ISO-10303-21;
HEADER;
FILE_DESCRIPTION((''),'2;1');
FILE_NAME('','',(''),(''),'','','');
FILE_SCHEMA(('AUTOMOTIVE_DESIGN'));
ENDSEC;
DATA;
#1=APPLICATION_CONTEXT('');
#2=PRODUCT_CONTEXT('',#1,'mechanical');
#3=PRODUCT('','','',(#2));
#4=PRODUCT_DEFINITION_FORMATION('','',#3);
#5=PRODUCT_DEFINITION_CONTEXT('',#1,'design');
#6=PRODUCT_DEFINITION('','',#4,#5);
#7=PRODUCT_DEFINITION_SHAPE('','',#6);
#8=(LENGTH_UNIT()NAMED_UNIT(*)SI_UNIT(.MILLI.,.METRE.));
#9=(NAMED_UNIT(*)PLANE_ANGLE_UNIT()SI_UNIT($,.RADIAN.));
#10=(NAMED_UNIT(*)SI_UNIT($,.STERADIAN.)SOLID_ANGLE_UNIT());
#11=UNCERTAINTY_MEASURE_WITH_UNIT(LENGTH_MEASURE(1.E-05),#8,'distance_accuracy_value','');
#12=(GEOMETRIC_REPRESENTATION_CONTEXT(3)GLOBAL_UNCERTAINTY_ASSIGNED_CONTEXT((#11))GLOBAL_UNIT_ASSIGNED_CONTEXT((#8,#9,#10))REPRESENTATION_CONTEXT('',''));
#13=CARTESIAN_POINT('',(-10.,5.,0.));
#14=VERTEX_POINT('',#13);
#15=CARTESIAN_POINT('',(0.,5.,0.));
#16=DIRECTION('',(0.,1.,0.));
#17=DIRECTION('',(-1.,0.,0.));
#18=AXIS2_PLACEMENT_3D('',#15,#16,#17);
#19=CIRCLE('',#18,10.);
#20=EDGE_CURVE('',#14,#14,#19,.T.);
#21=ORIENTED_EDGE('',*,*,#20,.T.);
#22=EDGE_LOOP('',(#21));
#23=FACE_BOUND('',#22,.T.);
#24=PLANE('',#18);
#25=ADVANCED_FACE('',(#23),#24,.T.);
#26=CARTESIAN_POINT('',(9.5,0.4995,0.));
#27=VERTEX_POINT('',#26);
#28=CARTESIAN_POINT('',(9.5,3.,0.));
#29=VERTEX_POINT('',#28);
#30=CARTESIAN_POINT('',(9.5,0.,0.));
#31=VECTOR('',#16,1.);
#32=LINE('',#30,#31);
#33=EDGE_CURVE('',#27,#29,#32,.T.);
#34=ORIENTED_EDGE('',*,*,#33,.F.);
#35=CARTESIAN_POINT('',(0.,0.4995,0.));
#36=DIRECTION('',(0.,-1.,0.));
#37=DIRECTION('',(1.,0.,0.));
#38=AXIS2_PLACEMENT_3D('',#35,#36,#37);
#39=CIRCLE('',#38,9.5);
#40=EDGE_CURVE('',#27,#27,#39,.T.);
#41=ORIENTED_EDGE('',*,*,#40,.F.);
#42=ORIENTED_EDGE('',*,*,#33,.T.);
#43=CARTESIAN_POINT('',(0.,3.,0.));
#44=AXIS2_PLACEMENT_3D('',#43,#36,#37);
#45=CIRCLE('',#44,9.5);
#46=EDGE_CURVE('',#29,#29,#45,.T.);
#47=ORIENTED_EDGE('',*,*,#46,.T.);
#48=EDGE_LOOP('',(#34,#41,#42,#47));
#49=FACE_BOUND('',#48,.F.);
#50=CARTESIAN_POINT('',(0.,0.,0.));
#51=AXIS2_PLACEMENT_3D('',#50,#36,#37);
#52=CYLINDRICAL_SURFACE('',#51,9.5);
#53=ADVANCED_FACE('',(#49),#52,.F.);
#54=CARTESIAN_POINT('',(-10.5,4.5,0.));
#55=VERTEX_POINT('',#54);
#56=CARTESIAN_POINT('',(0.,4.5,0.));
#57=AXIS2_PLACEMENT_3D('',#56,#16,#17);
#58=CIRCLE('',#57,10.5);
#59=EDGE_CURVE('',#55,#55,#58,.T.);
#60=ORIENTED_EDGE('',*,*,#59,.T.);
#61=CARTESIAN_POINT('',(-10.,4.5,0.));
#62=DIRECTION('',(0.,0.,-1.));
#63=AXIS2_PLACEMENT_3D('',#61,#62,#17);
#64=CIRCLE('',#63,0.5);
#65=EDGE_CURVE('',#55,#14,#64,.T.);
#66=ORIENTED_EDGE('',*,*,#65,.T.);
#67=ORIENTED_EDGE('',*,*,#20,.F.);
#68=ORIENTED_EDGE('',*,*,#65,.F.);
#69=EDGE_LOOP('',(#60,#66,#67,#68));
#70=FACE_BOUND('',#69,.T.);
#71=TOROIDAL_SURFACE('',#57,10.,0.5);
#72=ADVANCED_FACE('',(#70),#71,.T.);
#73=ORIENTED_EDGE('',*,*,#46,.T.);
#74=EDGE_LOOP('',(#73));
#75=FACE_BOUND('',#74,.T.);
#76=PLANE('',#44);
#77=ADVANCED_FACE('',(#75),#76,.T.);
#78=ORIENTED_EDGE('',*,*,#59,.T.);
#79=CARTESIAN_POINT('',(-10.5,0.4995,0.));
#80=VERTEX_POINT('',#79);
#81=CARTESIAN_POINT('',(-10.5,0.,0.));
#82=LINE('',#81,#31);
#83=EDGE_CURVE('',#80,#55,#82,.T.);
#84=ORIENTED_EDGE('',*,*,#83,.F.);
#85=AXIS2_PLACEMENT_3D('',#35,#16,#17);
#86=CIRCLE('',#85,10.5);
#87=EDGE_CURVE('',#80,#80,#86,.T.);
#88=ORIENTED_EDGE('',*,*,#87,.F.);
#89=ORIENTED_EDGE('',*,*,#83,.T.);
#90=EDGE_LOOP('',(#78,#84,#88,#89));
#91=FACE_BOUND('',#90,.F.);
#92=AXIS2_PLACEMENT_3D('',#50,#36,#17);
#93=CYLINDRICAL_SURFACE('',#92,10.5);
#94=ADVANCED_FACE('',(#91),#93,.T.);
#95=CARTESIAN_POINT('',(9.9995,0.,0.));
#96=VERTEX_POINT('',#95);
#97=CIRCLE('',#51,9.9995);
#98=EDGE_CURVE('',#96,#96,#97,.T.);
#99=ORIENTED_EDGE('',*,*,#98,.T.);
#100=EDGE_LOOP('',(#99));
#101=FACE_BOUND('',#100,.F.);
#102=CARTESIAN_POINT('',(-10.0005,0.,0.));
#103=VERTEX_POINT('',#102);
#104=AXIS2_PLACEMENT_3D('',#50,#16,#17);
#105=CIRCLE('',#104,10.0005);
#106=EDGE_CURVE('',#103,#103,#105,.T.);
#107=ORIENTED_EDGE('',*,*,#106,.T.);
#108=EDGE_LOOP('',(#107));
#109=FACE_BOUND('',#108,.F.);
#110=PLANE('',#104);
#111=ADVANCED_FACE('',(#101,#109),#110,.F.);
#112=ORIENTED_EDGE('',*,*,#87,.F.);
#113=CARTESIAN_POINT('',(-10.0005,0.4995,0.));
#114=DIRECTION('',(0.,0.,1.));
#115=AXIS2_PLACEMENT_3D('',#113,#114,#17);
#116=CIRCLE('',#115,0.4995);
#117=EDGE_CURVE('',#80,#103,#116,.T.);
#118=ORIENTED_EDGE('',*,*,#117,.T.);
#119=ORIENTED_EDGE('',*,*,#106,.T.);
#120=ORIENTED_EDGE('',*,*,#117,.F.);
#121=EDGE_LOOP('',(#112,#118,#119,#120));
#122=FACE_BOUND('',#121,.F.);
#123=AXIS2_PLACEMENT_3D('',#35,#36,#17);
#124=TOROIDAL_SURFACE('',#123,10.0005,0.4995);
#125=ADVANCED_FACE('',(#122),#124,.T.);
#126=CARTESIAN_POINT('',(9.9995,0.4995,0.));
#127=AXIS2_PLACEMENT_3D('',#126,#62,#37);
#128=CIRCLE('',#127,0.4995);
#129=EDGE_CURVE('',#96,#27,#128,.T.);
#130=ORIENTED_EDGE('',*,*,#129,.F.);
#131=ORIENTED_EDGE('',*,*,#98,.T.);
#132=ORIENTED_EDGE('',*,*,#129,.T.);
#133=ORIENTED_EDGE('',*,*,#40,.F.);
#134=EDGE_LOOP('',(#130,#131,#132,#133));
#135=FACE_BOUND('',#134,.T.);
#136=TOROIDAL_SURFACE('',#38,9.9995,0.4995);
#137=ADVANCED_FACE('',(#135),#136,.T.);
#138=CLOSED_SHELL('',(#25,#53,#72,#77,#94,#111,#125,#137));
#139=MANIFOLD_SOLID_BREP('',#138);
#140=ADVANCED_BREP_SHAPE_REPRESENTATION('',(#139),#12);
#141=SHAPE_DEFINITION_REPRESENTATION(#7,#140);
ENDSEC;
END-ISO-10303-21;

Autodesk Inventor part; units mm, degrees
ref_plane "YZ Plane" through (0, 0, 0) normal (1, 0, 0) x (0, 1, 0)
ref_plane "XZ Plane" through (0, 0, 0) normal (0, 1, 0) x (-1, 0, 0)
ref_plane "XY Plane" through (0, 0, 0) normal (0, 0, 1) x (1, 0, 0)
sketch "Sketch1" plane through (0, 0, 0) normal (0, 1, 0) x (-1, 0, 0)
  circle A0 centre (0, 0) radius 9.5
  circle A1 centre (0, 0) radius 10.5
  dimension "d0" = 19
  dimension "d1" = 21
extrude "Extrusion1" add sketch "Sketch1" along normal blind 5 contours A0 | A1
sketch "Sketch2" plane through (0, 0, 0) normal (0, -1, 0) x (1, 0, 0)
  circle A0 centre (0, 0) radius 9.5
  dimension "d4" = 19
extrude "Extrusion2" cut sketch "Sketch2" against normal blind 3
fillet "Fillet1" radius 0.5 1 edges at (10.5, 5, 0)
fillet "Fillet2" radius 0.5 2 edges at (-9.5, 0, 0) (10.5, 0, 0)
properties part number "Tapa Mirilla" material "LCP Plastic"
